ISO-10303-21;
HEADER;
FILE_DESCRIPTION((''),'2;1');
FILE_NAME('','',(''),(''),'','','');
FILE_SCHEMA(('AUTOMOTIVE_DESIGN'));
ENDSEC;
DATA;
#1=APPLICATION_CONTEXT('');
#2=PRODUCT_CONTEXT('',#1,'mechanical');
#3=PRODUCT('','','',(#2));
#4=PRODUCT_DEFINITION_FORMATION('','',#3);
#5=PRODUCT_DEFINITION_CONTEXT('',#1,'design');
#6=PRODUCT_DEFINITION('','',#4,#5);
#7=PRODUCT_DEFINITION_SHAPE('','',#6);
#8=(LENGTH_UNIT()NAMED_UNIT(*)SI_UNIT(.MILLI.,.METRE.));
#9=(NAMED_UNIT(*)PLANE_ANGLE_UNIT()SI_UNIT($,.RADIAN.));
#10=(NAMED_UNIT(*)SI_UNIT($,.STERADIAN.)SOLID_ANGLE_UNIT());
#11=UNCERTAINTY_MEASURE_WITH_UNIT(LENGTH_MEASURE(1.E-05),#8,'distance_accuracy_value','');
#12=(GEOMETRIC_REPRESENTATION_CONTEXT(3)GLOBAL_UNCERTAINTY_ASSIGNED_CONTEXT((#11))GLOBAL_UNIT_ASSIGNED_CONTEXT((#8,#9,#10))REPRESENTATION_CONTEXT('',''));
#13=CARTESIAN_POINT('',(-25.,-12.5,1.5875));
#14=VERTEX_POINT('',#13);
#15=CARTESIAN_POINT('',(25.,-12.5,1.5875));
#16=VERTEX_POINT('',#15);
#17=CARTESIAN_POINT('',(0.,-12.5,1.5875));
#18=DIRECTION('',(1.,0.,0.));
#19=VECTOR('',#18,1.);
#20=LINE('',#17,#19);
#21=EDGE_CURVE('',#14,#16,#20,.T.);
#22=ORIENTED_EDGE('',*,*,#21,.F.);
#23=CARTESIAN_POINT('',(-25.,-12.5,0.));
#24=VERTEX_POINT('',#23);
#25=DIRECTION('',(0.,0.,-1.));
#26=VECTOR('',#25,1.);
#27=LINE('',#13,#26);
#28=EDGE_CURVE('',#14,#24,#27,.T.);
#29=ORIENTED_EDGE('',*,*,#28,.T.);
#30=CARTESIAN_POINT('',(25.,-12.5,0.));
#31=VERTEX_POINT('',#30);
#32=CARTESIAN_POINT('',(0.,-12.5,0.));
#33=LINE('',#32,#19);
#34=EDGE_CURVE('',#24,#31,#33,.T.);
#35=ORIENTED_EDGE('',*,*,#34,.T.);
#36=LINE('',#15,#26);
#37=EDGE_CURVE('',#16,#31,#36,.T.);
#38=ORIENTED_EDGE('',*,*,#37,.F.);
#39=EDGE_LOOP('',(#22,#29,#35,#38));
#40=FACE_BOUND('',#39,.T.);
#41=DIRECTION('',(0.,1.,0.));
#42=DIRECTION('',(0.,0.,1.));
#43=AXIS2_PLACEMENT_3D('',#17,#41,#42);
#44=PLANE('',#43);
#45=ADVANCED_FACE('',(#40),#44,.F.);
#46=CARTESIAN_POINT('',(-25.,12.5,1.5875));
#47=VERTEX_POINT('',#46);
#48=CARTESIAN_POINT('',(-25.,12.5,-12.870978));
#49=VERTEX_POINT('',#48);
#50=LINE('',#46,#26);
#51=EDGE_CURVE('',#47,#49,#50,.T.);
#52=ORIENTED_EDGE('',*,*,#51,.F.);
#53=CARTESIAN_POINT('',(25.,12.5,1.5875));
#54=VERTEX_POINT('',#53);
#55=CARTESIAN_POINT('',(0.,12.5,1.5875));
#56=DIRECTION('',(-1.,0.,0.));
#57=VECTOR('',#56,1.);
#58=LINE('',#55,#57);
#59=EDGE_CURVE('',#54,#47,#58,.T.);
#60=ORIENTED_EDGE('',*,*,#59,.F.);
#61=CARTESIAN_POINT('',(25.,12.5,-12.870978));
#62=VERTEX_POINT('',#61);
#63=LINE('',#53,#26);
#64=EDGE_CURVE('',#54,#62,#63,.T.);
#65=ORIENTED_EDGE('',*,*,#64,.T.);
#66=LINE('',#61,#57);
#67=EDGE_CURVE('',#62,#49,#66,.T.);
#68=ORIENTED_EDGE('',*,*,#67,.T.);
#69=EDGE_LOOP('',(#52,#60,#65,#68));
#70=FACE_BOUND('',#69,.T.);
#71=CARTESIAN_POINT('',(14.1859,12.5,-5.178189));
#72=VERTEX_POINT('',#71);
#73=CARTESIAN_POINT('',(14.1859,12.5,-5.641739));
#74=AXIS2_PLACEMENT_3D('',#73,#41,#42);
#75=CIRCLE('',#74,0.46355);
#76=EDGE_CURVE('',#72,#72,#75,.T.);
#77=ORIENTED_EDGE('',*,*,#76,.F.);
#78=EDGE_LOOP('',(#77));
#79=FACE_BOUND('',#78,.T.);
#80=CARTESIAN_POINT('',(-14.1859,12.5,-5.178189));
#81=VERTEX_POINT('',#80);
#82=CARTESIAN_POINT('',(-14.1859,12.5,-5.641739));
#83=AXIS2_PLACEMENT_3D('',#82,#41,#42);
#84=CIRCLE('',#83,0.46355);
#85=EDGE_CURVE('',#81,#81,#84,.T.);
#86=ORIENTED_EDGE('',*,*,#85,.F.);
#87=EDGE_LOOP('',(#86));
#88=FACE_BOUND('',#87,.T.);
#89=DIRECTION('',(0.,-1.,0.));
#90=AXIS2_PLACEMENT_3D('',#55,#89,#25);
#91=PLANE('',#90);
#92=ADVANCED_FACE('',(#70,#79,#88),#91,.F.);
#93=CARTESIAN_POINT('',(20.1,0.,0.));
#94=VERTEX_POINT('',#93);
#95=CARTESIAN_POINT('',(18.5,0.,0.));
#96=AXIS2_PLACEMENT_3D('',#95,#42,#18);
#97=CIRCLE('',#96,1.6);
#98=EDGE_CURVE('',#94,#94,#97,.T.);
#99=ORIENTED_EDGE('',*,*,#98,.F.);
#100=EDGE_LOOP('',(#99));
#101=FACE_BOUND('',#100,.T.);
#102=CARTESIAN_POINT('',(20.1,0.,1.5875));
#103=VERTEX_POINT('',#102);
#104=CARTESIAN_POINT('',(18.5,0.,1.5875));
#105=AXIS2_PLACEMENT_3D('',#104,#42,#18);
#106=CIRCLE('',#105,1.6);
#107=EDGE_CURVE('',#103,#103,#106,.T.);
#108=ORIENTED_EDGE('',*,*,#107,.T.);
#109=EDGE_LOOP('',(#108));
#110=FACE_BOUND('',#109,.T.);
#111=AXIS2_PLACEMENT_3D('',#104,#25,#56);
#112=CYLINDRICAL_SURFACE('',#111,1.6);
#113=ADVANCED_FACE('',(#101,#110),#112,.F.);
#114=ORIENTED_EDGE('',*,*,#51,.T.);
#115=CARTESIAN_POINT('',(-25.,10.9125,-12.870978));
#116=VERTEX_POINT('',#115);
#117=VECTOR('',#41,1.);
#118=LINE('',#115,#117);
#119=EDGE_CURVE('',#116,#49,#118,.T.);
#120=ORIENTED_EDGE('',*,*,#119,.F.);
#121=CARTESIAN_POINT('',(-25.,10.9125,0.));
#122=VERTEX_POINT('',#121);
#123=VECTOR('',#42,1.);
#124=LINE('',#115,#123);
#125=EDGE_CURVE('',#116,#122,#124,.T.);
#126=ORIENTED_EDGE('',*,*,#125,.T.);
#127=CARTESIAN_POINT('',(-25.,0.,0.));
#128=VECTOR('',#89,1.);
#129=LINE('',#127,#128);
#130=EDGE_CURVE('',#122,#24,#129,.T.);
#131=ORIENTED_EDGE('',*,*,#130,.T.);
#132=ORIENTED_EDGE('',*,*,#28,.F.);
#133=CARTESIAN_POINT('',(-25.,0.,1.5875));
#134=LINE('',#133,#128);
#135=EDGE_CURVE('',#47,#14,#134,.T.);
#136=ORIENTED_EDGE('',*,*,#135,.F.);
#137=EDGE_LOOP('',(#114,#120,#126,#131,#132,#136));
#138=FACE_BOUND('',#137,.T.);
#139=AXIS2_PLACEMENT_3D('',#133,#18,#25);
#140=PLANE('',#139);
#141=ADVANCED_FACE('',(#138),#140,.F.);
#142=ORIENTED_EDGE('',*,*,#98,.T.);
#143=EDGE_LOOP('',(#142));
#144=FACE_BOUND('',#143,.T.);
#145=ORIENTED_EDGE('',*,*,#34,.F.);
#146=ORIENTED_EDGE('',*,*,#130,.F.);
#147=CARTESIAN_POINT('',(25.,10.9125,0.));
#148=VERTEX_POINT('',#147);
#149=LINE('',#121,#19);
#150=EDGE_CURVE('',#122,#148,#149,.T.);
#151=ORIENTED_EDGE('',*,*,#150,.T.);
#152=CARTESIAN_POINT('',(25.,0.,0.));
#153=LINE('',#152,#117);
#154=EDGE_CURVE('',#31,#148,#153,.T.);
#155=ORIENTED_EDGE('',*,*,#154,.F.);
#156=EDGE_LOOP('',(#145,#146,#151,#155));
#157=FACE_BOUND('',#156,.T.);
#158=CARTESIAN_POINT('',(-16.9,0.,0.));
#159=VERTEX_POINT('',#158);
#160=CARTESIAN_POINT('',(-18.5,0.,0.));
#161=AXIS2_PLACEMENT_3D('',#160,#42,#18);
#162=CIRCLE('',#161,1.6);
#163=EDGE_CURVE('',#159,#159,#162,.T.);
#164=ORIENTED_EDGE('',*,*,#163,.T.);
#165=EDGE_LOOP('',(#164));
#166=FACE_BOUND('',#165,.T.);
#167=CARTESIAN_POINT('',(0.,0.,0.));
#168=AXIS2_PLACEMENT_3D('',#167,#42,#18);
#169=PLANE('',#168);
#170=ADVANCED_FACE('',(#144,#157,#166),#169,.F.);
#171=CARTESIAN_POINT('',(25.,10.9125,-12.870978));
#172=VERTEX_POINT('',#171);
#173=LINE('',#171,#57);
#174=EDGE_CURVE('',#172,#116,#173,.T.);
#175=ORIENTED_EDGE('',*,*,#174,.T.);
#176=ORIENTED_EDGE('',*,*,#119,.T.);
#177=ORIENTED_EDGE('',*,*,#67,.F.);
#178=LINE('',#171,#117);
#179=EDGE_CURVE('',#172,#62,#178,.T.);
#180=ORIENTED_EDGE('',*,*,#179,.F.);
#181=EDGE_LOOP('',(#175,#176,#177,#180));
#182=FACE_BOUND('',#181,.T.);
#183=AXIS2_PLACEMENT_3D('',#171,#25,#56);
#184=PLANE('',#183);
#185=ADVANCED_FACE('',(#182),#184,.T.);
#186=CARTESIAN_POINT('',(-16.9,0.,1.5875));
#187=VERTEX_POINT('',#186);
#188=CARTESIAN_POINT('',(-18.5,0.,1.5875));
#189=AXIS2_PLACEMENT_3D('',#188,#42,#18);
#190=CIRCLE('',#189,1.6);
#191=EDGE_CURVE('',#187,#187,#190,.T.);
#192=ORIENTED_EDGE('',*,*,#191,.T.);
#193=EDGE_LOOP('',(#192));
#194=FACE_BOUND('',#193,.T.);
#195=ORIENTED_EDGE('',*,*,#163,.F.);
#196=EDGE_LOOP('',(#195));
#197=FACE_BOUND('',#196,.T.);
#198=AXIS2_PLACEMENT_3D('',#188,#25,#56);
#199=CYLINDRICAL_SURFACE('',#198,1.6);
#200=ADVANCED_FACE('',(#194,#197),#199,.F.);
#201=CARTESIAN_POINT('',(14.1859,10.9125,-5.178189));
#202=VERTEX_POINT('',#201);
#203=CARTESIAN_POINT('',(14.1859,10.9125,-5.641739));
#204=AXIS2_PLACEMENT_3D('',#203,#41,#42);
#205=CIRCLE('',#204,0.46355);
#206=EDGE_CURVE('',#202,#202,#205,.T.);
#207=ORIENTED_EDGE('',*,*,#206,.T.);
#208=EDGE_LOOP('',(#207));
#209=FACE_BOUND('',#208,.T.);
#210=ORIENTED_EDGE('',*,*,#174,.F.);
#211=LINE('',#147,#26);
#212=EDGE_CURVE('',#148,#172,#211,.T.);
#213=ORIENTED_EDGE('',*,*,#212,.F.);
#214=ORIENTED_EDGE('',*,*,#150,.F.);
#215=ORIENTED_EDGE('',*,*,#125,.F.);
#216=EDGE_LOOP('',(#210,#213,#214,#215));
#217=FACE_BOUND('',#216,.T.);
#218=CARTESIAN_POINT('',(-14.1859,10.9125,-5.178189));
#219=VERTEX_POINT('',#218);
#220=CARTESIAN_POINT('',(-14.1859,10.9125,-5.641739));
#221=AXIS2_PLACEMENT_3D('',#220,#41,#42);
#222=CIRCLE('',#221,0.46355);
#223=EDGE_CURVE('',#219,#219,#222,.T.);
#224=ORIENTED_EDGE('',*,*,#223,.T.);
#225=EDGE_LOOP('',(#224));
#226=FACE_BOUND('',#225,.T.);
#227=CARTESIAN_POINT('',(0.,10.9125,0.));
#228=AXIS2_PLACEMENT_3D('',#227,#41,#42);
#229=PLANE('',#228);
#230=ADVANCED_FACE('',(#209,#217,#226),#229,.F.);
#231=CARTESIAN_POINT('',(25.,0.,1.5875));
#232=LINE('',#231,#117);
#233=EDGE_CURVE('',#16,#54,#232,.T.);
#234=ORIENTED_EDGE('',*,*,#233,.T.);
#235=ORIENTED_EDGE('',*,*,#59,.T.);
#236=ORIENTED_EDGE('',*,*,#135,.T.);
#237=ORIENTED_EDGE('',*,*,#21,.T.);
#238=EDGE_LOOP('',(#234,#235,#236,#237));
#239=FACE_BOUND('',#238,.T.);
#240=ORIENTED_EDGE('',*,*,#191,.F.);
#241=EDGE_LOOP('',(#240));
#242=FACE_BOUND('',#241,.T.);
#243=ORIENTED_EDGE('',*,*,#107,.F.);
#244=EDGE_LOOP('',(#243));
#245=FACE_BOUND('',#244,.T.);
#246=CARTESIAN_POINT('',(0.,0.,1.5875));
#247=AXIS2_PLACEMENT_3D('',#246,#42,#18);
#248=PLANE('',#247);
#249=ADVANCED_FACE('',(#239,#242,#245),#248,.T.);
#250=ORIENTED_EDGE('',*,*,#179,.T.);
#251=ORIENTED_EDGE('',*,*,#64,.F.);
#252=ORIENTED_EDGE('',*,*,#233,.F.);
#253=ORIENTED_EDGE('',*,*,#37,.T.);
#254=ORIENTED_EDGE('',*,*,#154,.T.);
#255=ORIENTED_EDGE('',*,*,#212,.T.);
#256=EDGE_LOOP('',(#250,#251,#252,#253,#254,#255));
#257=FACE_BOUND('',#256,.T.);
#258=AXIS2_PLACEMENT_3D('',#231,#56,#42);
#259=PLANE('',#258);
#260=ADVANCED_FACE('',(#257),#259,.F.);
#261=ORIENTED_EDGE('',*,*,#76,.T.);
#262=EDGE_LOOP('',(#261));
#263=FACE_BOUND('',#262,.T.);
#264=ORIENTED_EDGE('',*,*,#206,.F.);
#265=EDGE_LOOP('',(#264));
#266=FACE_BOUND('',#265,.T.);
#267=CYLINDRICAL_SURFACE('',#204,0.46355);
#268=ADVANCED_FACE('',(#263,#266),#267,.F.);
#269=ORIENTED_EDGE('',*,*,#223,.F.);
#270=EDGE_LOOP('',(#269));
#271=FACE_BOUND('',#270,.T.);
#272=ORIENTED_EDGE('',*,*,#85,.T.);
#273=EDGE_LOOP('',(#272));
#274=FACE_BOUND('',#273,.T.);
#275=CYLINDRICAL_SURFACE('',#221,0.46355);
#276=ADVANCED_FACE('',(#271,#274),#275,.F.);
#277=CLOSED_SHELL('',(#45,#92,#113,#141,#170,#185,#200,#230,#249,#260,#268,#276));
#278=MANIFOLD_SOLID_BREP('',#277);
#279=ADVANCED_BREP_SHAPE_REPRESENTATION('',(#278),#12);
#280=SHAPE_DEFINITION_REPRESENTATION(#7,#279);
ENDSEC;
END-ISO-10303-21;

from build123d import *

# Parameters (mm, degrees)
SKETCH1_W           = 50
SKETCH1_H           = 25
SKETCH1_R           = 1.6
BOSS_EXTRUDE1_DEPTH = 1.5875
SKETCH2_W           = 50
SKETCH2_H           = 12.870978344
BOSS_EXTRUDE2_DEPTH = 1.5875
SKETCH3_R           = 0.46355
CUT_EXTRUDE1_DEPTH  = 1.5875


with BuildPart() as part:
    # Sketch1 → Boss-Extrude1 (new body)
    with BuildSketch(Plane.XY):
        Rectangle(SKETCH1_W, SKETCH1_H)
        with Locations((-18.5, 0)):
            Circle(SKETCH1_R, mode=Mode.SUBTRACT)
        with Locations((18.5, 0)):
            Circle(SKETCH1_R, mode=Mode.SUBTRACT)
    extrude(amount=BOSS_EXTRUDE1_DEPTH)

    # Sketch2 → Boss-Extrude2 (add)
    with BuildSketch(Plane(origin=(0, 12.5, 0), x_dir=(1, 0, 0), z_dir=(0, 1, 0))):
        with Locations((0, 6.435489172)):
            Rectangle(SKETCH2_W, SKETCH2_H)
    extrude(amount=-BOSS_EXTRUDE2_DEPTH)

    # Sketch3 → Cut-Extrude1 (cut)
    with BuildSketch(Plane(origin=(0, 12.5, 0), x_dir=(1, 0, 0), z_dir=(0, 1, 0))):
        with Locations(Location((-14.1859, 5.641739172, 0), (0, 0, 270))):
            Circle(SKETCH3_R)
        with Locations(Location((14.1859, 5.641739172, 0), (0, 0, 270))):
            Circle(SKETCH3_R)
    extrude(amount=-CUT_EXTRUDE1_DEPTH, mode=Mode.SUBTRACT)


solid = part.part
